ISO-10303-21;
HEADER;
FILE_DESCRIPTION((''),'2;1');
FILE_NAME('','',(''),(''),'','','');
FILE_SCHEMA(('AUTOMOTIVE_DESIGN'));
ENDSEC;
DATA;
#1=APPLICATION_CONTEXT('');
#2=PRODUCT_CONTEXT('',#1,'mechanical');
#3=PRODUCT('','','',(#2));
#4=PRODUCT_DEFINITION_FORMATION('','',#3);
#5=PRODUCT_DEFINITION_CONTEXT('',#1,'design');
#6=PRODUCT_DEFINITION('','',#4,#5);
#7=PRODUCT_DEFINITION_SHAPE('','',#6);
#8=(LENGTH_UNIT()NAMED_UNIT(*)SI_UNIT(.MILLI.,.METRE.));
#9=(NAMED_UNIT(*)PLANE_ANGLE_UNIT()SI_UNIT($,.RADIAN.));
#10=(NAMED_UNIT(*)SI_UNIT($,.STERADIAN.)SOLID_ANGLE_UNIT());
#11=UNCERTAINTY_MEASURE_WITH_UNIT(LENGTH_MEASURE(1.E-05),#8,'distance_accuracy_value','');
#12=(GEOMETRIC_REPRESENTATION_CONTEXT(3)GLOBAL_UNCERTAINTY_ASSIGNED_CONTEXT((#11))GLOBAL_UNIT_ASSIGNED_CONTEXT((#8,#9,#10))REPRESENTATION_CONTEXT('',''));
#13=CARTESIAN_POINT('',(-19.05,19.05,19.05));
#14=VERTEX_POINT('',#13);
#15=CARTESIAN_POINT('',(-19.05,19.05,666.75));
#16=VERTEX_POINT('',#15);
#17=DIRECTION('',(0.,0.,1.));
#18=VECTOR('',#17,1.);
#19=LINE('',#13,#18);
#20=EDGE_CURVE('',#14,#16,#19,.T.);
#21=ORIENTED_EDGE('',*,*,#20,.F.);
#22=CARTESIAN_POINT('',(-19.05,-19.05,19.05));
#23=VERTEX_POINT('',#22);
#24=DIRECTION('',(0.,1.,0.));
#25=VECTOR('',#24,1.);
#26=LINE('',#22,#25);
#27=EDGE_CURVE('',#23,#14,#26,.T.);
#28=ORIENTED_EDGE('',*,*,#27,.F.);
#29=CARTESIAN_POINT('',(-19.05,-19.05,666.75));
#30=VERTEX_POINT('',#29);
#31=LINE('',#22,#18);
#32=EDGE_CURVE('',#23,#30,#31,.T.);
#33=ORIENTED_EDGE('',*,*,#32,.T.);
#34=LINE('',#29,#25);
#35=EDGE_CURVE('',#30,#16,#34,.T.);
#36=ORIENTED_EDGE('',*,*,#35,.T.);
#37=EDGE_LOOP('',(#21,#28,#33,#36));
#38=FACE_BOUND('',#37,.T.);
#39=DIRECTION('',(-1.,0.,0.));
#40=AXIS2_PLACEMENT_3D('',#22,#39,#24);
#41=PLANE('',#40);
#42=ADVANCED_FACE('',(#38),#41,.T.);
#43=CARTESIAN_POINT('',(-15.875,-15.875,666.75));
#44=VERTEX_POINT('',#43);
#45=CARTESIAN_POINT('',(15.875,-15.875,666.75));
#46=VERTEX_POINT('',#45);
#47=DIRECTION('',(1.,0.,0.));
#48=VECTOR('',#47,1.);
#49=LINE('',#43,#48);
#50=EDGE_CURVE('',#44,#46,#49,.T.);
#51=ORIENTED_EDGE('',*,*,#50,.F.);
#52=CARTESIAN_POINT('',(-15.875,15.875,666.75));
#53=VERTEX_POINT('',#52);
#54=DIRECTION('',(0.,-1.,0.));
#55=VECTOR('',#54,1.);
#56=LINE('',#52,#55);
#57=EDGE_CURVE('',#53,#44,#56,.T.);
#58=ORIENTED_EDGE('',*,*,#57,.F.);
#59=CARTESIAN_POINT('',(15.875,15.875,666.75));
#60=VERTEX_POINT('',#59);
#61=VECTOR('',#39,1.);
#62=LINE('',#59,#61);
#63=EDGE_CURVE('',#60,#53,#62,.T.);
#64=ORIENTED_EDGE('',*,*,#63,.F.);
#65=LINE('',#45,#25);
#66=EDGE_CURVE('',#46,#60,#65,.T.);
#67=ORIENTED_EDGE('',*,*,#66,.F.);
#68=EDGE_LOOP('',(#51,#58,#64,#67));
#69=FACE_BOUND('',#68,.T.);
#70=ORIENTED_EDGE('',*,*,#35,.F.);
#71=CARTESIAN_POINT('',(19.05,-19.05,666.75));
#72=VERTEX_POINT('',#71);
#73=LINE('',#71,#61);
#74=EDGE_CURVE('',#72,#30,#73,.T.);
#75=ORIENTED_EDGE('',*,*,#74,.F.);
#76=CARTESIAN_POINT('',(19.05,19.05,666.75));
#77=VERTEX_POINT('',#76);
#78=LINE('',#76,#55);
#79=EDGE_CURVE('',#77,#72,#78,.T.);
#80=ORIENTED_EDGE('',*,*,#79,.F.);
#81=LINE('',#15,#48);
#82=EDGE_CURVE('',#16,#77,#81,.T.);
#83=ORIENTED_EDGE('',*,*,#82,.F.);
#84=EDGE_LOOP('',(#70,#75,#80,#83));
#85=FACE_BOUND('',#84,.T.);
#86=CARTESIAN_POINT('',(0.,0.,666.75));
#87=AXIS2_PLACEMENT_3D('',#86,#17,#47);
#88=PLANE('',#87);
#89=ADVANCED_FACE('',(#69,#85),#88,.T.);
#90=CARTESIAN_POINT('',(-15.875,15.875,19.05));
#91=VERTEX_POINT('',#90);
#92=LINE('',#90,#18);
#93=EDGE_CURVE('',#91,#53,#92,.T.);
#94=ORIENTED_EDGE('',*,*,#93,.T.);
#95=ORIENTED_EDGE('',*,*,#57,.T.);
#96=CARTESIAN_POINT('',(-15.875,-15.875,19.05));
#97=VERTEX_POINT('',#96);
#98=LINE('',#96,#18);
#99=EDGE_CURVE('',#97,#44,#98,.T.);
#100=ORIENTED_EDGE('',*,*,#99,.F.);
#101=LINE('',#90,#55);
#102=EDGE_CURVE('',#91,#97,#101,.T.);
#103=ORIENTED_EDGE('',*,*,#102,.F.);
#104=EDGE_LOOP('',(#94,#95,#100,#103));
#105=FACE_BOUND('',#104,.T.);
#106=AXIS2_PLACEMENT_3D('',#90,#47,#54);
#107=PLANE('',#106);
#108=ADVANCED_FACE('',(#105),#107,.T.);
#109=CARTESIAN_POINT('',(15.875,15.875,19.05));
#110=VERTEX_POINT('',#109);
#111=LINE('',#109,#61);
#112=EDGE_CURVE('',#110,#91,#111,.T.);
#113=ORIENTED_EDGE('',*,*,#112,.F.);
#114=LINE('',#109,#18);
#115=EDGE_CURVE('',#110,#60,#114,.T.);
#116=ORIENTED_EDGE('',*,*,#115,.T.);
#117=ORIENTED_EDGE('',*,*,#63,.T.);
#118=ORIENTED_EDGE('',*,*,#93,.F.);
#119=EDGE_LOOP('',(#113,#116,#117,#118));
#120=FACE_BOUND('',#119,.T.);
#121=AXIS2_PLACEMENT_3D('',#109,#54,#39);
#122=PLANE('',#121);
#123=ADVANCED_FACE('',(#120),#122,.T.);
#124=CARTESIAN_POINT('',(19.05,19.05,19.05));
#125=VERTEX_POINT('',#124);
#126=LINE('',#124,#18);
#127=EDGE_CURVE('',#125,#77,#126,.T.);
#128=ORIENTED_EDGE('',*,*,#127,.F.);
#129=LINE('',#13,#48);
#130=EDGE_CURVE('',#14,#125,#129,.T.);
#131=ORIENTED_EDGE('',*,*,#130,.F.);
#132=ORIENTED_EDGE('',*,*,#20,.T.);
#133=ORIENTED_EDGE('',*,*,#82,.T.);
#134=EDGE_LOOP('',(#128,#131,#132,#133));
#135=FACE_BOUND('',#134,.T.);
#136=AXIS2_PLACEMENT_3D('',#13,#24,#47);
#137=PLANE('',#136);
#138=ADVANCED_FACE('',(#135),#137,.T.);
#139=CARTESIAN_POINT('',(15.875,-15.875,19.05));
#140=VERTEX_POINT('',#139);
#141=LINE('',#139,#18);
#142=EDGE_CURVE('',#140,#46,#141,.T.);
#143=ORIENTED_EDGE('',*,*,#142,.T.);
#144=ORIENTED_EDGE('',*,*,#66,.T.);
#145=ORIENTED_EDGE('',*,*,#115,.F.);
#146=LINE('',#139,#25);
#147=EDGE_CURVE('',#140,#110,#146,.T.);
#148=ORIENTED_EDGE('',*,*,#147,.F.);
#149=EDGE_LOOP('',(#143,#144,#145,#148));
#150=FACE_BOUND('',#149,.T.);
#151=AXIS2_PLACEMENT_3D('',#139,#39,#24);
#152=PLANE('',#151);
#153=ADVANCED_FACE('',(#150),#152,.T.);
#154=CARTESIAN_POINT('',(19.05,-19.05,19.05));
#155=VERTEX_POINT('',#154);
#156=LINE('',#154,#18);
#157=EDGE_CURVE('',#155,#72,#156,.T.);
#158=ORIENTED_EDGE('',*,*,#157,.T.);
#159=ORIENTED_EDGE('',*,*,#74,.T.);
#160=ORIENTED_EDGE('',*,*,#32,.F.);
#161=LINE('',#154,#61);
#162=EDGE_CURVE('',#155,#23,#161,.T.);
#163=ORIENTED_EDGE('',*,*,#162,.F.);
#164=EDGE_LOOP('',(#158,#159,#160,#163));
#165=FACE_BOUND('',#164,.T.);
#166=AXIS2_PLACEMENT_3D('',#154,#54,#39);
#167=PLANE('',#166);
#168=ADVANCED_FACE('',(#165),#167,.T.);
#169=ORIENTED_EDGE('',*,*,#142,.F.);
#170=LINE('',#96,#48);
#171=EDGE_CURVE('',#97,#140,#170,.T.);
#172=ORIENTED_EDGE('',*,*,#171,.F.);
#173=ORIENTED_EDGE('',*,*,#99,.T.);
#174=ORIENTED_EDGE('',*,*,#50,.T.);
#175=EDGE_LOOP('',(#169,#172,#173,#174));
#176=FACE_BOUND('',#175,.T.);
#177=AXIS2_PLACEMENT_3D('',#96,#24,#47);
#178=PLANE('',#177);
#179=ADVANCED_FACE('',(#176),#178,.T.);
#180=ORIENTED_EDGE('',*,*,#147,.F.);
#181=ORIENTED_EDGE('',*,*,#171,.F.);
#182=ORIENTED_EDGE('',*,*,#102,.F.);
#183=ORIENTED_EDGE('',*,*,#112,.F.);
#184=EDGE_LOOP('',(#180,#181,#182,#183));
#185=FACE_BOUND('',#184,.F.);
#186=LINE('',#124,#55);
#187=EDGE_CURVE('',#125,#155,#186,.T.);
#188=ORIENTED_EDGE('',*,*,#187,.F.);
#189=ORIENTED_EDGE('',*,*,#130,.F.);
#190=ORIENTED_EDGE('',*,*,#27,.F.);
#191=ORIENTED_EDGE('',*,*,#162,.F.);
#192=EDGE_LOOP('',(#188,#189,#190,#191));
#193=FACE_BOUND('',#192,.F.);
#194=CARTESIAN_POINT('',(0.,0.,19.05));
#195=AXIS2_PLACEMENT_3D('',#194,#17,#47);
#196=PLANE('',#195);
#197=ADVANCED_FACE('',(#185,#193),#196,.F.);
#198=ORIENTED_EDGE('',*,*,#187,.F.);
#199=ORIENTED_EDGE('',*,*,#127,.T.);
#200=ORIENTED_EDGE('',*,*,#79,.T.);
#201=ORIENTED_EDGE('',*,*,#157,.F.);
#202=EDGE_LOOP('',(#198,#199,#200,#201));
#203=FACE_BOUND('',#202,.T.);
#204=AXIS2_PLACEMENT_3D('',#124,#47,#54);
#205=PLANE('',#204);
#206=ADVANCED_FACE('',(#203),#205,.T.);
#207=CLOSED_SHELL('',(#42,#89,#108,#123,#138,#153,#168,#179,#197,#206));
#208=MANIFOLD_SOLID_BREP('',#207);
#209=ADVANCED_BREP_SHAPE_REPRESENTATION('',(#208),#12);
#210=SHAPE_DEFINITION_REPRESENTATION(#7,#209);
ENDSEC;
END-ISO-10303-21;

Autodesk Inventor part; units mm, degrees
ref_plane "Start Plane" through (0, 0, 19.05) normal (0, 0, 1) x (1, 0, 0)
ref_plane "End Plane" through (0, 0, 666.75) normal (0, 0, 1) x (1, 0, 0)
sketch "Sketch" plane through (0, 0, 0) normal (0, 0, 1) x (1, 0, 0)
  line L0 (-19.05, 19.05) -> (19.05, 19.05)
  line L1 (19.05, 19.05) -> (19.05, -19.05)
  line L2 (19.05, -19.05) -> (-19.05, -19.05)
  line L3 (-19.05, -19.05) -> (-19.05, 19.05)
  line L4 (15.875, 15.875) -> (-15.875, 15.875)
  line L5 (-15.875, 15.875) -> (-15.875, -15.875)
  line L6 (-15.875, -15.875) -> (15.875, -15.875)
  line L7 (15.875, -15.875) -> (15.875, 15.875)
  point P0 (0, 0)
  point P1 (0, 19.05)
  point P2 (-19.05, 0)
  dimension "width" = 38.1
  dimension "d1" = 3.175
extrude "Body" add sketch "Sketch" along normal up to surface (647.7 mm away) from surface at 19.05
sketch "Sketch4" plane through (0, 0, 0) normal (0, 0, 1) x (1, 0, 0)
  line L0 (0, 0) -> (10, 0)
ref_plane "Work Plane4" through (0, 0, 0) normal (0, -1, 0) x (1, 0, 0)
sketch "Sketch5" plane through (0, 0, 0) normal (0, -1, 0) x (1, 0, 0)
  line L0 (-2, 19.05) -> (12, 19.05)
  line L1 (-2, 666.75) -> (12, 666.75)
  dimension "d9" = 647.7
ref_plane "Work Plane5" through (-406.4, 19.05, 666.75) normal (0, 0, 1) x (1, 0, 0)
split "Split1" plane through (-406.4, 19.05, 666.75) removes the side toward (0, 0, 1)
ref_plane "Work Plane6" through (762, 19.05, 19.05) normal (0, 0, -1) x (-1, 0, 0)
split "Split2" plane through (762, 19.05, 19.05) removes the side toward (0, 0, -1)
equation "\"G_OFFSET_START\" = -19.05"
equation "\"G_OFFSET_END\" = -19.05"
equation "\"d4\" = -G_OFFSET_START"
equation "\"d5\" = length + G_OFFSET_END"
equation "\"G_L\" = 723.9"
equation "\"length\" = 685.8"
properties part number "1.5x1.5x.125 Tube" material "Aluminum-6061"
